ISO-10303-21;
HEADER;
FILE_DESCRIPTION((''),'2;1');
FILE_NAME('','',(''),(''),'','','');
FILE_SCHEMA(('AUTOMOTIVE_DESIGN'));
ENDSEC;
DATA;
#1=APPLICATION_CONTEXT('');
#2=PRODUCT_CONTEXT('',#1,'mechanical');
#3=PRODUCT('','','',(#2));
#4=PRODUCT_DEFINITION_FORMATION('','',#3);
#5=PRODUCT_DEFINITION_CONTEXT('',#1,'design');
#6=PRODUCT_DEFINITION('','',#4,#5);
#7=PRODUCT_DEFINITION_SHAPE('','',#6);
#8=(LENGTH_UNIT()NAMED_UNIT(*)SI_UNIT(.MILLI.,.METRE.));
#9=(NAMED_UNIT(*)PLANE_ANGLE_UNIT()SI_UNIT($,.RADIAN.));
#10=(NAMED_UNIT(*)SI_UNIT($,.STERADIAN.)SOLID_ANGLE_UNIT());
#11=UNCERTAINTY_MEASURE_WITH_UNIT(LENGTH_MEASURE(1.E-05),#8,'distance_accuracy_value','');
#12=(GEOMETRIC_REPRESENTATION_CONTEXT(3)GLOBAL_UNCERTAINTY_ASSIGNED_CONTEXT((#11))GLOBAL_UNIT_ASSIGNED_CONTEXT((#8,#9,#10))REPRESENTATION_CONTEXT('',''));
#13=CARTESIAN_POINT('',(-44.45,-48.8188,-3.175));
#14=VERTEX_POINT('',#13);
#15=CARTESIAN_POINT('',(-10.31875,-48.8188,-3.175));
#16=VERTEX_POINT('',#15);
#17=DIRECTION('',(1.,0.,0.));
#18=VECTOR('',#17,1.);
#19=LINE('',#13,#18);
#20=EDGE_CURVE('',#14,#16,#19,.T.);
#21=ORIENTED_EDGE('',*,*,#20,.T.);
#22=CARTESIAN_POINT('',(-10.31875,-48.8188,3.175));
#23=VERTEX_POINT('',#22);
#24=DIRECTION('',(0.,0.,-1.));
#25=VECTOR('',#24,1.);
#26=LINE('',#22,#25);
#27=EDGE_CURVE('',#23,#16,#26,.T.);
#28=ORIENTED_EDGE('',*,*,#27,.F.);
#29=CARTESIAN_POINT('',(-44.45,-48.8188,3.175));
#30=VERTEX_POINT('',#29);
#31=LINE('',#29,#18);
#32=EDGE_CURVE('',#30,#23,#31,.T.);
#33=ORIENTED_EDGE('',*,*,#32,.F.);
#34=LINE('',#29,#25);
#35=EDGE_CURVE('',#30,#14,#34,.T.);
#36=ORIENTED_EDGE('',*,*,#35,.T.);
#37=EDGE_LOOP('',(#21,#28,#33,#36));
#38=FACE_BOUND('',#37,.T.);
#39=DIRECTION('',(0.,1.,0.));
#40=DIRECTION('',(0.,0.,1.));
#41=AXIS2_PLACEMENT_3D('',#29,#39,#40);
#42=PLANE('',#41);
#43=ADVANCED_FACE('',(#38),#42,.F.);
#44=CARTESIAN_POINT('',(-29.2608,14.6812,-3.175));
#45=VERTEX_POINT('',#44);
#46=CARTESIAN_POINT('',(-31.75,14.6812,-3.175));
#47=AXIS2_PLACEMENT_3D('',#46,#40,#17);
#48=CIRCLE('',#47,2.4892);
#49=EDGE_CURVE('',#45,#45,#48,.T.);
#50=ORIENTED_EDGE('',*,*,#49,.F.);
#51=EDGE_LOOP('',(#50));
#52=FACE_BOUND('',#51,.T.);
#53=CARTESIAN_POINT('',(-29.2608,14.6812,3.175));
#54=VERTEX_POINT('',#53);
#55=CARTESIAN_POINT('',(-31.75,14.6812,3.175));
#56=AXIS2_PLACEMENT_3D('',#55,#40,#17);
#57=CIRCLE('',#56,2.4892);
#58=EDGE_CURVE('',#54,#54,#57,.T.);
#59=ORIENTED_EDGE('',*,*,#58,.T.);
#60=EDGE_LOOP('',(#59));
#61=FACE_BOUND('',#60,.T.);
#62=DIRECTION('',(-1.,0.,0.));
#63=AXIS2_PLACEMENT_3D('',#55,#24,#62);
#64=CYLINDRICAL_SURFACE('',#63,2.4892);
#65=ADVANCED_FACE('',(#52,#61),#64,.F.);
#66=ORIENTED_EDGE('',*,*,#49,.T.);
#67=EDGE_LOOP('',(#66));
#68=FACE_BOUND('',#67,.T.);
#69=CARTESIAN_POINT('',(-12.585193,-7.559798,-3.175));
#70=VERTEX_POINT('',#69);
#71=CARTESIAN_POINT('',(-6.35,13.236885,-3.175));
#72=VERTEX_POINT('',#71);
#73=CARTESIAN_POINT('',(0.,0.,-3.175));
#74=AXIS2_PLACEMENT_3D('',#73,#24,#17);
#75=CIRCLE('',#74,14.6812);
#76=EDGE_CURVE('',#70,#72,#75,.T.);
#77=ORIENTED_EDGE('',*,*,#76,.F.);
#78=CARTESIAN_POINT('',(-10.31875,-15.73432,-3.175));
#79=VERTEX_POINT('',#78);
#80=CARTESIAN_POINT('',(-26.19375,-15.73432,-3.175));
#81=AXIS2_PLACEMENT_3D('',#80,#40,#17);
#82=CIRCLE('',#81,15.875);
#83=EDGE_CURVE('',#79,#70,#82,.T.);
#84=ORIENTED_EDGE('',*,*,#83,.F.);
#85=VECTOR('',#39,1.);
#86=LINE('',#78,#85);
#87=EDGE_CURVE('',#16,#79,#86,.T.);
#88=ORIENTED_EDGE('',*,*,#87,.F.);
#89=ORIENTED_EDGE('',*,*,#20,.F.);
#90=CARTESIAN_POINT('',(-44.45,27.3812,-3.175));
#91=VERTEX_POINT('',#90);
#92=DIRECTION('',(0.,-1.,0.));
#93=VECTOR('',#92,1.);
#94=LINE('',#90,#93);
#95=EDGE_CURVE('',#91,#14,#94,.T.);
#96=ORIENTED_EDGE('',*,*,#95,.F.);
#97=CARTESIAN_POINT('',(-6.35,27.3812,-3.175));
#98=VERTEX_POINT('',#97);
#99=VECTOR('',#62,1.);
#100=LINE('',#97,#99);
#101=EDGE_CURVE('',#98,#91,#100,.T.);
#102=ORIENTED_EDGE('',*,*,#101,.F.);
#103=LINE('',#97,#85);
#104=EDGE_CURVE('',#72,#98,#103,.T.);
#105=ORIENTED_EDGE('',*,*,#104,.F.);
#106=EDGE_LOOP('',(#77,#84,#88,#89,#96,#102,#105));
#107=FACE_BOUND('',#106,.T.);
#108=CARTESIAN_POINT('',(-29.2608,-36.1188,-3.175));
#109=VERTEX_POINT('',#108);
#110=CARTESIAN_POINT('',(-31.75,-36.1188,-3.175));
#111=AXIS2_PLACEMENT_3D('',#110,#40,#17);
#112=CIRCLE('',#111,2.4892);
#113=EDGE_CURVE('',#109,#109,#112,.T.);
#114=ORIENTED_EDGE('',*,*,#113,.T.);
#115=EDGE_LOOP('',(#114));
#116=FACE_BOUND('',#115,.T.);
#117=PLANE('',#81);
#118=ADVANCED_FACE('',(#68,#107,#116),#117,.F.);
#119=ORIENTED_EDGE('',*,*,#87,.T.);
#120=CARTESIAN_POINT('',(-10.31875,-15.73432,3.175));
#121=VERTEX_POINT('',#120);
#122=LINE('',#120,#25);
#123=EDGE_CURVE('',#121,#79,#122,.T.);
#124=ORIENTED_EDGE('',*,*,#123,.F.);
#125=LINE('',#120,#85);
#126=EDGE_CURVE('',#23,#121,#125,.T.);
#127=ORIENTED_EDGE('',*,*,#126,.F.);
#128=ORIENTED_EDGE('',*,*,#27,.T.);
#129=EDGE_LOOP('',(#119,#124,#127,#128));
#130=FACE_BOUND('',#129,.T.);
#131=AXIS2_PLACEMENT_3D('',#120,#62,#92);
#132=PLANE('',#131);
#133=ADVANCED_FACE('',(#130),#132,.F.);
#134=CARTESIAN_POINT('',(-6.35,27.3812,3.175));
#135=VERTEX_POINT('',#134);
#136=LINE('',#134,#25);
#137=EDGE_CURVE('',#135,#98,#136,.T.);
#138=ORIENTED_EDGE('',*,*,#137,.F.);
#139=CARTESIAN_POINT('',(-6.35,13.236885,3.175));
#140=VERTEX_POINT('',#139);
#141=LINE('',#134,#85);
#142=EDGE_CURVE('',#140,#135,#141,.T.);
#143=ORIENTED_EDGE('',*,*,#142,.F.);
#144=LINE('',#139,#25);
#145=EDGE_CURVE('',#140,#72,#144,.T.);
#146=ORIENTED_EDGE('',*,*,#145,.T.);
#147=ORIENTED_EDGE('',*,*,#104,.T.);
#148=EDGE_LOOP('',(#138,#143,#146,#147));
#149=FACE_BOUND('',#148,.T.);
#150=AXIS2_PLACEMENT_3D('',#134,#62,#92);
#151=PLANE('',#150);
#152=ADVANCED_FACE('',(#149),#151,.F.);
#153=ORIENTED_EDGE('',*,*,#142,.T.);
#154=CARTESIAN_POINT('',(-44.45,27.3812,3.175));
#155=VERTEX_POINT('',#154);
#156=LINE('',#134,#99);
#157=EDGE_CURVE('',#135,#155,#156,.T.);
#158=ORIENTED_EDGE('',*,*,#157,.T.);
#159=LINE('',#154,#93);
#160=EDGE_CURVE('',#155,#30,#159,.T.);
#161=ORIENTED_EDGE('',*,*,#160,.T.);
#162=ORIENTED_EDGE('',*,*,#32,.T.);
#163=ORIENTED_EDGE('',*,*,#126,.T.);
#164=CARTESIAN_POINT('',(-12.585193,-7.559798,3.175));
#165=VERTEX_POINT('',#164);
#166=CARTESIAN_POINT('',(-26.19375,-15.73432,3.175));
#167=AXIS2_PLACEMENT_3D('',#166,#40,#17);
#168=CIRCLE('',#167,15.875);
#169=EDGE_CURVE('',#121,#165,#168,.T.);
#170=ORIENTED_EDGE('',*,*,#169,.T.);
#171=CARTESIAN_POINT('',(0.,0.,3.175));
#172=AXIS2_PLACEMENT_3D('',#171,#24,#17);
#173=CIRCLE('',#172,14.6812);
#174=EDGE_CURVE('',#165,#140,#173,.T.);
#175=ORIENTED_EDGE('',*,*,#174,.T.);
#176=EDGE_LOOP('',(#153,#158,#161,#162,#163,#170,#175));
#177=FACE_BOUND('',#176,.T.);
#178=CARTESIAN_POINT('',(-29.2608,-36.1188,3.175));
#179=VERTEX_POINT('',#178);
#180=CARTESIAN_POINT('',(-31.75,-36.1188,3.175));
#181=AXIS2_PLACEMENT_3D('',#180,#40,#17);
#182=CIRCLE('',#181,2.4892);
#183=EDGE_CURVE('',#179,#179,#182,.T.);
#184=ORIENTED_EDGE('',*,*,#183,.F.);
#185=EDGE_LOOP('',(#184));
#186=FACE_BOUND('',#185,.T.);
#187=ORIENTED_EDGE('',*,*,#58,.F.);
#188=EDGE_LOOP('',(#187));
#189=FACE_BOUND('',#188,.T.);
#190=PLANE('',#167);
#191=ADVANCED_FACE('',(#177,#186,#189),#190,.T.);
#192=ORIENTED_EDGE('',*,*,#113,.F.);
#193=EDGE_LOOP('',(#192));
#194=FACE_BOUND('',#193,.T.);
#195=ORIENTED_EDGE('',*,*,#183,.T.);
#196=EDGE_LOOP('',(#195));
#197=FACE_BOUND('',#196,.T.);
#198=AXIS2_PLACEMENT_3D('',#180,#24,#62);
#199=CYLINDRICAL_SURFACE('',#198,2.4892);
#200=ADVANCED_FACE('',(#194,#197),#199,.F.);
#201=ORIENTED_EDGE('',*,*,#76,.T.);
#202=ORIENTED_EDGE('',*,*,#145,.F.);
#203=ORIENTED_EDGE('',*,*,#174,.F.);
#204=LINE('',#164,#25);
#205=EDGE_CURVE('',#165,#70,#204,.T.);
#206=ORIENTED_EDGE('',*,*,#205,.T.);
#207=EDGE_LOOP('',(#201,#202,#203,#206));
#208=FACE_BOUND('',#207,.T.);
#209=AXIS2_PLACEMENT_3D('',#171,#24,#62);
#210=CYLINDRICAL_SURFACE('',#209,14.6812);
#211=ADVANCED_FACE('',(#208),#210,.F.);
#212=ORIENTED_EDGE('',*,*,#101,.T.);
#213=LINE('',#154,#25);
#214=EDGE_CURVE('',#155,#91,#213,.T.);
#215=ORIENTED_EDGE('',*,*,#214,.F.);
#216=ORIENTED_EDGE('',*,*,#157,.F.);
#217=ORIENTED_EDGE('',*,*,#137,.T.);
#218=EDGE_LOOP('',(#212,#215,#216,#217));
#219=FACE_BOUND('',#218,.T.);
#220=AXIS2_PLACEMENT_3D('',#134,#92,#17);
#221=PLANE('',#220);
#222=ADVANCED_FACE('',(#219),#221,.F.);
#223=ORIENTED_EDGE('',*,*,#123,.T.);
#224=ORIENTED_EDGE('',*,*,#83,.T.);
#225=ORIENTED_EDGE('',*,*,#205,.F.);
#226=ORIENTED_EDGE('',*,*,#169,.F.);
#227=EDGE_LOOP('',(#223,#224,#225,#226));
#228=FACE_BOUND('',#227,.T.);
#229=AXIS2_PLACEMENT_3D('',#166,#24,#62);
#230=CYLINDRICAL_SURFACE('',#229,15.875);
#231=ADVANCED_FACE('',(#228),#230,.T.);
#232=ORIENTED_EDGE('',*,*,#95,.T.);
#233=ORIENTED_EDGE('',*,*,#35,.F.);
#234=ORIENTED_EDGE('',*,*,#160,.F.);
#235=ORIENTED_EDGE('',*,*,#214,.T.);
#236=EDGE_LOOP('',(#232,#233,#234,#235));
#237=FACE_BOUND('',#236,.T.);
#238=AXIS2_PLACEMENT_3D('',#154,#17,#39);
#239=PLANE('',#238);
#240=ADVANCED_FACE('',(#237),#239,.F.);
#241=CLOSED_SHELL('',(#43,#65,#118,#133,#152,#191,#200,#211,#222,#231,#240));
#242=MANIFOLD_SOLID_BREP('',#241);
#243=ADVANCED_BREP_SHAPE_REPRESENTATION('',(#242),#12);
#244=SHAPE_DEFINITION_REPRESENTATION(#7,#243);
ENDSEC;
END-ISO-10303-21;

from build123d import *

# Parameters (mm, degrees)
SKETCH1_R           = 2.4892
BOSS_EXTRUDE1_DEPTH = 3.175


with BuildPart() as part:
    # Sketch1 → Boss-Extrude1 (new, symmetric)
    with BuildSketch(Plane.XY):
        with BuildLine():
            Line((-6.35, 27.3812), (-44.45, 27.3812))
            Line((-44.45, 27.3812), (-44.45, -48.8188))
            Line((-44.45, -48.8188), (-10.31875, -48.8188))
            Line((-10.31875, -48.8188), (-10.31875, -15.734319794))
            ThreePointArc((-10.31875, -15.734319794), (-10.89585042, -11.492870345), (-12.585193267, -7.559797873))
            ThreePointArc((-12.585193267, -7.559797873), (-14.062748456, 4.216247062), (-6.35, 13.236885338))
            Line((-6.35, 13.236885338), (-6.35, 27.3812))
        make_face()
        with Locations((-31.75, 14.6812)):
            Circle(SKETCH1_R, mode=Mode.SUBTRACT)
        with Locations((-31.75, -36.1188)):
            Circle(SKETCH1_R, mode=Mode.SUBTRACT)
    extrude(amount=BOSS_EXTRUDE1_DEPTH, both=True)


solid = part.part
